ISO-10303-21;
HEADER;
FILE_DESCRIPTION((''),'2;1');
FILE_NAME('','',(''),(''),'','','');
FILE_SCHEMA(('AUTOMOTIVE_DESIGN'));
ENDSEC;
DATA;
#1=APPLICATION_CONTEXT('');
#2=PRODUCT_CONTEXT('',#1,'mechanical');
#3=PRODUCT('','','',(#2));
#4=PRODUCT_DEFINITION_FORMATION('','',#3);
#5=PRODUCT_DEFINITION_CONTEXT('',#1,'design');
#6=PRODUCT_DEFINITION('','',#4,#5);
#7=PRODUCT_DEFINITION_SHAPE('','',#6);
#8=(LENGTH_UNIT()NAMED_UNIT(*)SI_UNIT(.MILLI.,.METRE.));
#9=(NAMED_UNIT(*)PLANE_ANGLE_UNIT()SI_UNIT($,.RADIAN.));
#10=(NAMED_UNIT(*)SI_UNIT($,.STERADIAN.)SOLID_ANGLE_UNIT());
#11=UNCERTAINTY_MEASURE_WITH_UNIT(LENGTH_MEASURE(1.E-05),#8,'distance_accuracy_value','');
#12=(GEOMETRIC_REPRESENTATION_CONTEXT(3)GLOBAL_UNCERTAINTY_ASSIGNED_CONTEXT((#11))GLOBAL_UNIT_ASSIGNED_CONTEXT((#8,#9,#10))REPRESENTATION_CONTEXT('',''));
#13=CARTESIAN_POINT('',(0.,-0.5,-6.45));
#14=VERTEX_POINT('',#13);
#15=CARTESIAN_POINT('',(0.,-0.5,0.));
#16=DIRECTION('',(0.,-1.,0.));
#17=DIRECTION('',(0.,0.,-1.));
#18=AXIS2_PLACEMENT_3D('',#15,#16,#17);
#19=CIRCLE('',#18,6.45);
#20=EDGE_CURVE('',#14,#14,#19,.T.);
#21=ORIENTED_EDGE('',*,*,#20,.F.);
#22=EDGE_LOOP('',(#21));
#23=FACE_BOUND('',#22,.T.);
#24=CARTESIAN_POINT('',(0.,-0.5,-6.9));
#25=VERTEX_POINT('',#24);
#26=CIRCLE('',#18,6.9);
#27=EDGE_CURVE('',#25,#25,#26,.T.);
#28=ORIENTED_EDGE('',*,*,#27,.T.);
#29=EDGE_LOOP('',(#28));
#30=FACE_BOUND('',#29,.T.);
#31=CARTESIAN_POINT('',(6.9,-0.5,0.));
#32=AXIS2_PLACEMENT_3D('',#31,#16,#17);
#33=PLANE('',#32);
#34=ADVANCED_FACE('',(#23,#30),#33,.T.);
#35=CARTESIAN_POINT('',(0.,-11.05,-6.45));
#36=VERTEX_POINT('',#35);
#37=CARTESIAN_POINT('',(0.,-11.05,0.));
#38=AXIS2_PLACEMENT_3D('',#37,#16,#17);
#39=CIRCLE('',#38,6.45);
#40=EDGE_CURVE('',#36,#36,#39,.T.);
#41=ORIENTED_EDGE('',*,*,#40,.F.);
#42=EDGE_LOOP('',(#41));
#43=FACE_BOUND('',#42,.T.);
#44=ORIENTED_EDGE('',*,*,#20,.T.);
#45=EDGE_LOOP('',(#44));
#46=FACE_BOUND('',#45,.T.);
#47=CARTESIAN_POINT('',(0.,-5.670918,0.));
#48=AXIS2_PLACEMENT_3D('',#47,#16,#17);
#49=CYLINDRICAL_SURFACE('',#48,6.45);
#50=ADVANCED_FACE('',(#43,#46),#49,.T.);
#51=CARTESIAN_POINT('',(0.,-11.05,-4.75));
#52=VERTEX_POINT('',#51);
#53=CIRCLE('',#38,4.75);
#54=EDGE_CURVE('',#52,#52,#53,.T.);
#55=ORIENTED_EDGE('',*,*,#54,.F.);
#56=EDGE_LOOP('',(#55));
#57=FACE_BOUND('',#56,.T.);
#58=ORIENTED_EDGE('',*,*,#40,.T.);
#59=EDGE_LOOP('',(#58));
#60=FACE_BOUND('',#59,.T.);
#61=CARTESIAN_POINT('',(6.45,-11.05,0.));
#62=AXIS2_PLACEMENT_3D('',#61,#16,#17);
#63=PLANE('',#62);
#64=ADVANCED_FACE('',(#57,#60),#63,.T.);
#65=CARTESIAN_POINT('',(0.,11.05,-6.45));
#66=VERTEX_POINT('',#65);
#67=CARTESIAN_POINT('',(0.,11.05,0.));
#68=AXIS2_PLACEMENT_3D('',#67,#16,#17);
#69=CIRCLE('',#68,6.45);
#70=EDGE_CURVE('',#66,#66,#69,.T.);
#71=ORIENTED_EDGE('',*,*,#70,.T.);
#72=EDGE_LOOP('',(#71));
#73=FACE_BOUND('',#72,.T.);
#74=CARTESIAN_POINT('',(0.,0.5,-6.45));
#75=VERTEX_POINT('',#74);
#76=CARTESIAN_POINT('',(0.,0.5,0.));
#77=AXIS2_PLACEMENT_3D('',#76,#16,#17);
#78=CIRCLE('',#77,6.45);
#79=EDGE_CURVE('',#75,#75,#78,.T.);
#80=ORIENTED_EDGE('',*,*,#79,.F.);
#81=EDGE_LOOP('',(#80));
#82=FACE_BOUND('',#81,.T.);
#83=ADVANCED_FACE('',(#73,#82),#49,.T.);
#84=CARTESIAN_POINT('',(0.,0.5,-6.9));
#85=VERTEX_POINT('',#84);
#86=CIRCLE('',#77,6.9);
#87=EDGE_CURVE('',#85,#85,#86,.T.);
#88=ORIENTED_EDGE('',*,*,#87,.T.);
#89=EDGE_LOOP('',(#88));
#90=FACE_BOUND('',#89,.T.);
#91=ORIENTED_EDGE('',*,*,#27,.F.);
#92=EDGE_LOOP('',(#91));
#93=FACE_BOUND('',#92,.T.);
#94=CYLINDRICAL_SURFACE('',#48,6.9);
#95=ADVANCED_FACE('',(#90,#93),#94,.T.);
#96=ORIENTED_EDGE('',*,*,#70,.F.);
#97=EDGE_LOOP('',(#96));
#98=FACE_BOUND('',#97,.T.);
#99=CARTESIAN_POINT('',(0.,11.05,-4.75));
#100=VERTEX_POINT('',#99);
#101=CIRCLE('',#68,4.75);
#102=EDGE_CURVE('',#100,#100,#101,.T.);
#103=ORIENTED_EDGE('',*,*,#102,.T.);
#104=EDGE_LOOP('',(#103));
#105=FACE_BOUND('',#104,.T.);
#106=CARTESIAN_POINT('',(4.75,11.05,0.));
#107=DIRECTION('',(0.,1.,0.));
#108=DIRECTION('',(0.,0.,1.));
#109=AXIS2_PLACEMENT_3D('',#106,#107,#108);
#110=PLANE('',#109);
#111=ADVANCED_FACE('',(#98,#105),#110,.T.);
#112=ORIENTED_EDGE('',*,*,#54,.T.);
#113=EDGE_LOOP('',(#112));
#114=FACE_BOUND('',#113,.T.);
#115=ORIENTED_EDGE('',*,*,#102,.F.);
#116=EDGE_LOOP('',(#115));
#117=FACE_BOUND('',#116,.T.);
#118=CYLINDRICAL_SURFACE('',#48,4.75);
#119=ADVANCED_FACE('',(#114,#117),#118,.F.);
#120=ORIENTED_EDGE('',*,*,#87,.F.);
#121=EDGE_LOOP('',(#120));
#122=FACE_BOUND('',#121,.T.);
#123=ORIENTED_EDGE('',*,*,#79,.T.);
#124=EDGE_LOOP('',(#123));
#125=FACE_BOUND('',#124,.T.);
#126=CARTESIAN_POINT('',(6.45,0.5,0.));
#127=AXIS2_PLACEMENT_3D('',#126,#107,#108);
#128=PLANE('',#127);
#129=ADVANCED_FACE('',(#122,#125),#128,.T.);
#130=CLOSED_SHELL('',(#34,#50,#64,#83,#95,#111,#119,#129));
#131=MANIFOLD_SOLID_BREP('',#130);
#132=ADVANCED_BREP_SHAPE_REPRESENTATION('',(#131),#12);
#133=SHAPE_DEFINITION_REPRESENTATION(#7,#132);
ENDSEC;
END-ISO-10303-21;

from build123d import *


with BuildPart() as part:
    # Sketch1 → Revolve1 (revolve)
    with BuildSketch(Plane.XY, mode=Mode.PRIVATE) as revolve1_sk:
        Polygon((4.75, -11.05), (4.75, 11.05), (6.45, 11.05), (6.45, 0.5), (6.9, 0.5), (6.9, -0.5), (6.45, -0.5), (6.45, -11.05), align=None)
    revolve(revolve1_sk.sketch.rotate(Axis((0, -5.670918367, 0), (0, 1, 0)), 90), axis=Axis((0, -5.670918367, 0), (0, 1, 0)))


solid = part.part
